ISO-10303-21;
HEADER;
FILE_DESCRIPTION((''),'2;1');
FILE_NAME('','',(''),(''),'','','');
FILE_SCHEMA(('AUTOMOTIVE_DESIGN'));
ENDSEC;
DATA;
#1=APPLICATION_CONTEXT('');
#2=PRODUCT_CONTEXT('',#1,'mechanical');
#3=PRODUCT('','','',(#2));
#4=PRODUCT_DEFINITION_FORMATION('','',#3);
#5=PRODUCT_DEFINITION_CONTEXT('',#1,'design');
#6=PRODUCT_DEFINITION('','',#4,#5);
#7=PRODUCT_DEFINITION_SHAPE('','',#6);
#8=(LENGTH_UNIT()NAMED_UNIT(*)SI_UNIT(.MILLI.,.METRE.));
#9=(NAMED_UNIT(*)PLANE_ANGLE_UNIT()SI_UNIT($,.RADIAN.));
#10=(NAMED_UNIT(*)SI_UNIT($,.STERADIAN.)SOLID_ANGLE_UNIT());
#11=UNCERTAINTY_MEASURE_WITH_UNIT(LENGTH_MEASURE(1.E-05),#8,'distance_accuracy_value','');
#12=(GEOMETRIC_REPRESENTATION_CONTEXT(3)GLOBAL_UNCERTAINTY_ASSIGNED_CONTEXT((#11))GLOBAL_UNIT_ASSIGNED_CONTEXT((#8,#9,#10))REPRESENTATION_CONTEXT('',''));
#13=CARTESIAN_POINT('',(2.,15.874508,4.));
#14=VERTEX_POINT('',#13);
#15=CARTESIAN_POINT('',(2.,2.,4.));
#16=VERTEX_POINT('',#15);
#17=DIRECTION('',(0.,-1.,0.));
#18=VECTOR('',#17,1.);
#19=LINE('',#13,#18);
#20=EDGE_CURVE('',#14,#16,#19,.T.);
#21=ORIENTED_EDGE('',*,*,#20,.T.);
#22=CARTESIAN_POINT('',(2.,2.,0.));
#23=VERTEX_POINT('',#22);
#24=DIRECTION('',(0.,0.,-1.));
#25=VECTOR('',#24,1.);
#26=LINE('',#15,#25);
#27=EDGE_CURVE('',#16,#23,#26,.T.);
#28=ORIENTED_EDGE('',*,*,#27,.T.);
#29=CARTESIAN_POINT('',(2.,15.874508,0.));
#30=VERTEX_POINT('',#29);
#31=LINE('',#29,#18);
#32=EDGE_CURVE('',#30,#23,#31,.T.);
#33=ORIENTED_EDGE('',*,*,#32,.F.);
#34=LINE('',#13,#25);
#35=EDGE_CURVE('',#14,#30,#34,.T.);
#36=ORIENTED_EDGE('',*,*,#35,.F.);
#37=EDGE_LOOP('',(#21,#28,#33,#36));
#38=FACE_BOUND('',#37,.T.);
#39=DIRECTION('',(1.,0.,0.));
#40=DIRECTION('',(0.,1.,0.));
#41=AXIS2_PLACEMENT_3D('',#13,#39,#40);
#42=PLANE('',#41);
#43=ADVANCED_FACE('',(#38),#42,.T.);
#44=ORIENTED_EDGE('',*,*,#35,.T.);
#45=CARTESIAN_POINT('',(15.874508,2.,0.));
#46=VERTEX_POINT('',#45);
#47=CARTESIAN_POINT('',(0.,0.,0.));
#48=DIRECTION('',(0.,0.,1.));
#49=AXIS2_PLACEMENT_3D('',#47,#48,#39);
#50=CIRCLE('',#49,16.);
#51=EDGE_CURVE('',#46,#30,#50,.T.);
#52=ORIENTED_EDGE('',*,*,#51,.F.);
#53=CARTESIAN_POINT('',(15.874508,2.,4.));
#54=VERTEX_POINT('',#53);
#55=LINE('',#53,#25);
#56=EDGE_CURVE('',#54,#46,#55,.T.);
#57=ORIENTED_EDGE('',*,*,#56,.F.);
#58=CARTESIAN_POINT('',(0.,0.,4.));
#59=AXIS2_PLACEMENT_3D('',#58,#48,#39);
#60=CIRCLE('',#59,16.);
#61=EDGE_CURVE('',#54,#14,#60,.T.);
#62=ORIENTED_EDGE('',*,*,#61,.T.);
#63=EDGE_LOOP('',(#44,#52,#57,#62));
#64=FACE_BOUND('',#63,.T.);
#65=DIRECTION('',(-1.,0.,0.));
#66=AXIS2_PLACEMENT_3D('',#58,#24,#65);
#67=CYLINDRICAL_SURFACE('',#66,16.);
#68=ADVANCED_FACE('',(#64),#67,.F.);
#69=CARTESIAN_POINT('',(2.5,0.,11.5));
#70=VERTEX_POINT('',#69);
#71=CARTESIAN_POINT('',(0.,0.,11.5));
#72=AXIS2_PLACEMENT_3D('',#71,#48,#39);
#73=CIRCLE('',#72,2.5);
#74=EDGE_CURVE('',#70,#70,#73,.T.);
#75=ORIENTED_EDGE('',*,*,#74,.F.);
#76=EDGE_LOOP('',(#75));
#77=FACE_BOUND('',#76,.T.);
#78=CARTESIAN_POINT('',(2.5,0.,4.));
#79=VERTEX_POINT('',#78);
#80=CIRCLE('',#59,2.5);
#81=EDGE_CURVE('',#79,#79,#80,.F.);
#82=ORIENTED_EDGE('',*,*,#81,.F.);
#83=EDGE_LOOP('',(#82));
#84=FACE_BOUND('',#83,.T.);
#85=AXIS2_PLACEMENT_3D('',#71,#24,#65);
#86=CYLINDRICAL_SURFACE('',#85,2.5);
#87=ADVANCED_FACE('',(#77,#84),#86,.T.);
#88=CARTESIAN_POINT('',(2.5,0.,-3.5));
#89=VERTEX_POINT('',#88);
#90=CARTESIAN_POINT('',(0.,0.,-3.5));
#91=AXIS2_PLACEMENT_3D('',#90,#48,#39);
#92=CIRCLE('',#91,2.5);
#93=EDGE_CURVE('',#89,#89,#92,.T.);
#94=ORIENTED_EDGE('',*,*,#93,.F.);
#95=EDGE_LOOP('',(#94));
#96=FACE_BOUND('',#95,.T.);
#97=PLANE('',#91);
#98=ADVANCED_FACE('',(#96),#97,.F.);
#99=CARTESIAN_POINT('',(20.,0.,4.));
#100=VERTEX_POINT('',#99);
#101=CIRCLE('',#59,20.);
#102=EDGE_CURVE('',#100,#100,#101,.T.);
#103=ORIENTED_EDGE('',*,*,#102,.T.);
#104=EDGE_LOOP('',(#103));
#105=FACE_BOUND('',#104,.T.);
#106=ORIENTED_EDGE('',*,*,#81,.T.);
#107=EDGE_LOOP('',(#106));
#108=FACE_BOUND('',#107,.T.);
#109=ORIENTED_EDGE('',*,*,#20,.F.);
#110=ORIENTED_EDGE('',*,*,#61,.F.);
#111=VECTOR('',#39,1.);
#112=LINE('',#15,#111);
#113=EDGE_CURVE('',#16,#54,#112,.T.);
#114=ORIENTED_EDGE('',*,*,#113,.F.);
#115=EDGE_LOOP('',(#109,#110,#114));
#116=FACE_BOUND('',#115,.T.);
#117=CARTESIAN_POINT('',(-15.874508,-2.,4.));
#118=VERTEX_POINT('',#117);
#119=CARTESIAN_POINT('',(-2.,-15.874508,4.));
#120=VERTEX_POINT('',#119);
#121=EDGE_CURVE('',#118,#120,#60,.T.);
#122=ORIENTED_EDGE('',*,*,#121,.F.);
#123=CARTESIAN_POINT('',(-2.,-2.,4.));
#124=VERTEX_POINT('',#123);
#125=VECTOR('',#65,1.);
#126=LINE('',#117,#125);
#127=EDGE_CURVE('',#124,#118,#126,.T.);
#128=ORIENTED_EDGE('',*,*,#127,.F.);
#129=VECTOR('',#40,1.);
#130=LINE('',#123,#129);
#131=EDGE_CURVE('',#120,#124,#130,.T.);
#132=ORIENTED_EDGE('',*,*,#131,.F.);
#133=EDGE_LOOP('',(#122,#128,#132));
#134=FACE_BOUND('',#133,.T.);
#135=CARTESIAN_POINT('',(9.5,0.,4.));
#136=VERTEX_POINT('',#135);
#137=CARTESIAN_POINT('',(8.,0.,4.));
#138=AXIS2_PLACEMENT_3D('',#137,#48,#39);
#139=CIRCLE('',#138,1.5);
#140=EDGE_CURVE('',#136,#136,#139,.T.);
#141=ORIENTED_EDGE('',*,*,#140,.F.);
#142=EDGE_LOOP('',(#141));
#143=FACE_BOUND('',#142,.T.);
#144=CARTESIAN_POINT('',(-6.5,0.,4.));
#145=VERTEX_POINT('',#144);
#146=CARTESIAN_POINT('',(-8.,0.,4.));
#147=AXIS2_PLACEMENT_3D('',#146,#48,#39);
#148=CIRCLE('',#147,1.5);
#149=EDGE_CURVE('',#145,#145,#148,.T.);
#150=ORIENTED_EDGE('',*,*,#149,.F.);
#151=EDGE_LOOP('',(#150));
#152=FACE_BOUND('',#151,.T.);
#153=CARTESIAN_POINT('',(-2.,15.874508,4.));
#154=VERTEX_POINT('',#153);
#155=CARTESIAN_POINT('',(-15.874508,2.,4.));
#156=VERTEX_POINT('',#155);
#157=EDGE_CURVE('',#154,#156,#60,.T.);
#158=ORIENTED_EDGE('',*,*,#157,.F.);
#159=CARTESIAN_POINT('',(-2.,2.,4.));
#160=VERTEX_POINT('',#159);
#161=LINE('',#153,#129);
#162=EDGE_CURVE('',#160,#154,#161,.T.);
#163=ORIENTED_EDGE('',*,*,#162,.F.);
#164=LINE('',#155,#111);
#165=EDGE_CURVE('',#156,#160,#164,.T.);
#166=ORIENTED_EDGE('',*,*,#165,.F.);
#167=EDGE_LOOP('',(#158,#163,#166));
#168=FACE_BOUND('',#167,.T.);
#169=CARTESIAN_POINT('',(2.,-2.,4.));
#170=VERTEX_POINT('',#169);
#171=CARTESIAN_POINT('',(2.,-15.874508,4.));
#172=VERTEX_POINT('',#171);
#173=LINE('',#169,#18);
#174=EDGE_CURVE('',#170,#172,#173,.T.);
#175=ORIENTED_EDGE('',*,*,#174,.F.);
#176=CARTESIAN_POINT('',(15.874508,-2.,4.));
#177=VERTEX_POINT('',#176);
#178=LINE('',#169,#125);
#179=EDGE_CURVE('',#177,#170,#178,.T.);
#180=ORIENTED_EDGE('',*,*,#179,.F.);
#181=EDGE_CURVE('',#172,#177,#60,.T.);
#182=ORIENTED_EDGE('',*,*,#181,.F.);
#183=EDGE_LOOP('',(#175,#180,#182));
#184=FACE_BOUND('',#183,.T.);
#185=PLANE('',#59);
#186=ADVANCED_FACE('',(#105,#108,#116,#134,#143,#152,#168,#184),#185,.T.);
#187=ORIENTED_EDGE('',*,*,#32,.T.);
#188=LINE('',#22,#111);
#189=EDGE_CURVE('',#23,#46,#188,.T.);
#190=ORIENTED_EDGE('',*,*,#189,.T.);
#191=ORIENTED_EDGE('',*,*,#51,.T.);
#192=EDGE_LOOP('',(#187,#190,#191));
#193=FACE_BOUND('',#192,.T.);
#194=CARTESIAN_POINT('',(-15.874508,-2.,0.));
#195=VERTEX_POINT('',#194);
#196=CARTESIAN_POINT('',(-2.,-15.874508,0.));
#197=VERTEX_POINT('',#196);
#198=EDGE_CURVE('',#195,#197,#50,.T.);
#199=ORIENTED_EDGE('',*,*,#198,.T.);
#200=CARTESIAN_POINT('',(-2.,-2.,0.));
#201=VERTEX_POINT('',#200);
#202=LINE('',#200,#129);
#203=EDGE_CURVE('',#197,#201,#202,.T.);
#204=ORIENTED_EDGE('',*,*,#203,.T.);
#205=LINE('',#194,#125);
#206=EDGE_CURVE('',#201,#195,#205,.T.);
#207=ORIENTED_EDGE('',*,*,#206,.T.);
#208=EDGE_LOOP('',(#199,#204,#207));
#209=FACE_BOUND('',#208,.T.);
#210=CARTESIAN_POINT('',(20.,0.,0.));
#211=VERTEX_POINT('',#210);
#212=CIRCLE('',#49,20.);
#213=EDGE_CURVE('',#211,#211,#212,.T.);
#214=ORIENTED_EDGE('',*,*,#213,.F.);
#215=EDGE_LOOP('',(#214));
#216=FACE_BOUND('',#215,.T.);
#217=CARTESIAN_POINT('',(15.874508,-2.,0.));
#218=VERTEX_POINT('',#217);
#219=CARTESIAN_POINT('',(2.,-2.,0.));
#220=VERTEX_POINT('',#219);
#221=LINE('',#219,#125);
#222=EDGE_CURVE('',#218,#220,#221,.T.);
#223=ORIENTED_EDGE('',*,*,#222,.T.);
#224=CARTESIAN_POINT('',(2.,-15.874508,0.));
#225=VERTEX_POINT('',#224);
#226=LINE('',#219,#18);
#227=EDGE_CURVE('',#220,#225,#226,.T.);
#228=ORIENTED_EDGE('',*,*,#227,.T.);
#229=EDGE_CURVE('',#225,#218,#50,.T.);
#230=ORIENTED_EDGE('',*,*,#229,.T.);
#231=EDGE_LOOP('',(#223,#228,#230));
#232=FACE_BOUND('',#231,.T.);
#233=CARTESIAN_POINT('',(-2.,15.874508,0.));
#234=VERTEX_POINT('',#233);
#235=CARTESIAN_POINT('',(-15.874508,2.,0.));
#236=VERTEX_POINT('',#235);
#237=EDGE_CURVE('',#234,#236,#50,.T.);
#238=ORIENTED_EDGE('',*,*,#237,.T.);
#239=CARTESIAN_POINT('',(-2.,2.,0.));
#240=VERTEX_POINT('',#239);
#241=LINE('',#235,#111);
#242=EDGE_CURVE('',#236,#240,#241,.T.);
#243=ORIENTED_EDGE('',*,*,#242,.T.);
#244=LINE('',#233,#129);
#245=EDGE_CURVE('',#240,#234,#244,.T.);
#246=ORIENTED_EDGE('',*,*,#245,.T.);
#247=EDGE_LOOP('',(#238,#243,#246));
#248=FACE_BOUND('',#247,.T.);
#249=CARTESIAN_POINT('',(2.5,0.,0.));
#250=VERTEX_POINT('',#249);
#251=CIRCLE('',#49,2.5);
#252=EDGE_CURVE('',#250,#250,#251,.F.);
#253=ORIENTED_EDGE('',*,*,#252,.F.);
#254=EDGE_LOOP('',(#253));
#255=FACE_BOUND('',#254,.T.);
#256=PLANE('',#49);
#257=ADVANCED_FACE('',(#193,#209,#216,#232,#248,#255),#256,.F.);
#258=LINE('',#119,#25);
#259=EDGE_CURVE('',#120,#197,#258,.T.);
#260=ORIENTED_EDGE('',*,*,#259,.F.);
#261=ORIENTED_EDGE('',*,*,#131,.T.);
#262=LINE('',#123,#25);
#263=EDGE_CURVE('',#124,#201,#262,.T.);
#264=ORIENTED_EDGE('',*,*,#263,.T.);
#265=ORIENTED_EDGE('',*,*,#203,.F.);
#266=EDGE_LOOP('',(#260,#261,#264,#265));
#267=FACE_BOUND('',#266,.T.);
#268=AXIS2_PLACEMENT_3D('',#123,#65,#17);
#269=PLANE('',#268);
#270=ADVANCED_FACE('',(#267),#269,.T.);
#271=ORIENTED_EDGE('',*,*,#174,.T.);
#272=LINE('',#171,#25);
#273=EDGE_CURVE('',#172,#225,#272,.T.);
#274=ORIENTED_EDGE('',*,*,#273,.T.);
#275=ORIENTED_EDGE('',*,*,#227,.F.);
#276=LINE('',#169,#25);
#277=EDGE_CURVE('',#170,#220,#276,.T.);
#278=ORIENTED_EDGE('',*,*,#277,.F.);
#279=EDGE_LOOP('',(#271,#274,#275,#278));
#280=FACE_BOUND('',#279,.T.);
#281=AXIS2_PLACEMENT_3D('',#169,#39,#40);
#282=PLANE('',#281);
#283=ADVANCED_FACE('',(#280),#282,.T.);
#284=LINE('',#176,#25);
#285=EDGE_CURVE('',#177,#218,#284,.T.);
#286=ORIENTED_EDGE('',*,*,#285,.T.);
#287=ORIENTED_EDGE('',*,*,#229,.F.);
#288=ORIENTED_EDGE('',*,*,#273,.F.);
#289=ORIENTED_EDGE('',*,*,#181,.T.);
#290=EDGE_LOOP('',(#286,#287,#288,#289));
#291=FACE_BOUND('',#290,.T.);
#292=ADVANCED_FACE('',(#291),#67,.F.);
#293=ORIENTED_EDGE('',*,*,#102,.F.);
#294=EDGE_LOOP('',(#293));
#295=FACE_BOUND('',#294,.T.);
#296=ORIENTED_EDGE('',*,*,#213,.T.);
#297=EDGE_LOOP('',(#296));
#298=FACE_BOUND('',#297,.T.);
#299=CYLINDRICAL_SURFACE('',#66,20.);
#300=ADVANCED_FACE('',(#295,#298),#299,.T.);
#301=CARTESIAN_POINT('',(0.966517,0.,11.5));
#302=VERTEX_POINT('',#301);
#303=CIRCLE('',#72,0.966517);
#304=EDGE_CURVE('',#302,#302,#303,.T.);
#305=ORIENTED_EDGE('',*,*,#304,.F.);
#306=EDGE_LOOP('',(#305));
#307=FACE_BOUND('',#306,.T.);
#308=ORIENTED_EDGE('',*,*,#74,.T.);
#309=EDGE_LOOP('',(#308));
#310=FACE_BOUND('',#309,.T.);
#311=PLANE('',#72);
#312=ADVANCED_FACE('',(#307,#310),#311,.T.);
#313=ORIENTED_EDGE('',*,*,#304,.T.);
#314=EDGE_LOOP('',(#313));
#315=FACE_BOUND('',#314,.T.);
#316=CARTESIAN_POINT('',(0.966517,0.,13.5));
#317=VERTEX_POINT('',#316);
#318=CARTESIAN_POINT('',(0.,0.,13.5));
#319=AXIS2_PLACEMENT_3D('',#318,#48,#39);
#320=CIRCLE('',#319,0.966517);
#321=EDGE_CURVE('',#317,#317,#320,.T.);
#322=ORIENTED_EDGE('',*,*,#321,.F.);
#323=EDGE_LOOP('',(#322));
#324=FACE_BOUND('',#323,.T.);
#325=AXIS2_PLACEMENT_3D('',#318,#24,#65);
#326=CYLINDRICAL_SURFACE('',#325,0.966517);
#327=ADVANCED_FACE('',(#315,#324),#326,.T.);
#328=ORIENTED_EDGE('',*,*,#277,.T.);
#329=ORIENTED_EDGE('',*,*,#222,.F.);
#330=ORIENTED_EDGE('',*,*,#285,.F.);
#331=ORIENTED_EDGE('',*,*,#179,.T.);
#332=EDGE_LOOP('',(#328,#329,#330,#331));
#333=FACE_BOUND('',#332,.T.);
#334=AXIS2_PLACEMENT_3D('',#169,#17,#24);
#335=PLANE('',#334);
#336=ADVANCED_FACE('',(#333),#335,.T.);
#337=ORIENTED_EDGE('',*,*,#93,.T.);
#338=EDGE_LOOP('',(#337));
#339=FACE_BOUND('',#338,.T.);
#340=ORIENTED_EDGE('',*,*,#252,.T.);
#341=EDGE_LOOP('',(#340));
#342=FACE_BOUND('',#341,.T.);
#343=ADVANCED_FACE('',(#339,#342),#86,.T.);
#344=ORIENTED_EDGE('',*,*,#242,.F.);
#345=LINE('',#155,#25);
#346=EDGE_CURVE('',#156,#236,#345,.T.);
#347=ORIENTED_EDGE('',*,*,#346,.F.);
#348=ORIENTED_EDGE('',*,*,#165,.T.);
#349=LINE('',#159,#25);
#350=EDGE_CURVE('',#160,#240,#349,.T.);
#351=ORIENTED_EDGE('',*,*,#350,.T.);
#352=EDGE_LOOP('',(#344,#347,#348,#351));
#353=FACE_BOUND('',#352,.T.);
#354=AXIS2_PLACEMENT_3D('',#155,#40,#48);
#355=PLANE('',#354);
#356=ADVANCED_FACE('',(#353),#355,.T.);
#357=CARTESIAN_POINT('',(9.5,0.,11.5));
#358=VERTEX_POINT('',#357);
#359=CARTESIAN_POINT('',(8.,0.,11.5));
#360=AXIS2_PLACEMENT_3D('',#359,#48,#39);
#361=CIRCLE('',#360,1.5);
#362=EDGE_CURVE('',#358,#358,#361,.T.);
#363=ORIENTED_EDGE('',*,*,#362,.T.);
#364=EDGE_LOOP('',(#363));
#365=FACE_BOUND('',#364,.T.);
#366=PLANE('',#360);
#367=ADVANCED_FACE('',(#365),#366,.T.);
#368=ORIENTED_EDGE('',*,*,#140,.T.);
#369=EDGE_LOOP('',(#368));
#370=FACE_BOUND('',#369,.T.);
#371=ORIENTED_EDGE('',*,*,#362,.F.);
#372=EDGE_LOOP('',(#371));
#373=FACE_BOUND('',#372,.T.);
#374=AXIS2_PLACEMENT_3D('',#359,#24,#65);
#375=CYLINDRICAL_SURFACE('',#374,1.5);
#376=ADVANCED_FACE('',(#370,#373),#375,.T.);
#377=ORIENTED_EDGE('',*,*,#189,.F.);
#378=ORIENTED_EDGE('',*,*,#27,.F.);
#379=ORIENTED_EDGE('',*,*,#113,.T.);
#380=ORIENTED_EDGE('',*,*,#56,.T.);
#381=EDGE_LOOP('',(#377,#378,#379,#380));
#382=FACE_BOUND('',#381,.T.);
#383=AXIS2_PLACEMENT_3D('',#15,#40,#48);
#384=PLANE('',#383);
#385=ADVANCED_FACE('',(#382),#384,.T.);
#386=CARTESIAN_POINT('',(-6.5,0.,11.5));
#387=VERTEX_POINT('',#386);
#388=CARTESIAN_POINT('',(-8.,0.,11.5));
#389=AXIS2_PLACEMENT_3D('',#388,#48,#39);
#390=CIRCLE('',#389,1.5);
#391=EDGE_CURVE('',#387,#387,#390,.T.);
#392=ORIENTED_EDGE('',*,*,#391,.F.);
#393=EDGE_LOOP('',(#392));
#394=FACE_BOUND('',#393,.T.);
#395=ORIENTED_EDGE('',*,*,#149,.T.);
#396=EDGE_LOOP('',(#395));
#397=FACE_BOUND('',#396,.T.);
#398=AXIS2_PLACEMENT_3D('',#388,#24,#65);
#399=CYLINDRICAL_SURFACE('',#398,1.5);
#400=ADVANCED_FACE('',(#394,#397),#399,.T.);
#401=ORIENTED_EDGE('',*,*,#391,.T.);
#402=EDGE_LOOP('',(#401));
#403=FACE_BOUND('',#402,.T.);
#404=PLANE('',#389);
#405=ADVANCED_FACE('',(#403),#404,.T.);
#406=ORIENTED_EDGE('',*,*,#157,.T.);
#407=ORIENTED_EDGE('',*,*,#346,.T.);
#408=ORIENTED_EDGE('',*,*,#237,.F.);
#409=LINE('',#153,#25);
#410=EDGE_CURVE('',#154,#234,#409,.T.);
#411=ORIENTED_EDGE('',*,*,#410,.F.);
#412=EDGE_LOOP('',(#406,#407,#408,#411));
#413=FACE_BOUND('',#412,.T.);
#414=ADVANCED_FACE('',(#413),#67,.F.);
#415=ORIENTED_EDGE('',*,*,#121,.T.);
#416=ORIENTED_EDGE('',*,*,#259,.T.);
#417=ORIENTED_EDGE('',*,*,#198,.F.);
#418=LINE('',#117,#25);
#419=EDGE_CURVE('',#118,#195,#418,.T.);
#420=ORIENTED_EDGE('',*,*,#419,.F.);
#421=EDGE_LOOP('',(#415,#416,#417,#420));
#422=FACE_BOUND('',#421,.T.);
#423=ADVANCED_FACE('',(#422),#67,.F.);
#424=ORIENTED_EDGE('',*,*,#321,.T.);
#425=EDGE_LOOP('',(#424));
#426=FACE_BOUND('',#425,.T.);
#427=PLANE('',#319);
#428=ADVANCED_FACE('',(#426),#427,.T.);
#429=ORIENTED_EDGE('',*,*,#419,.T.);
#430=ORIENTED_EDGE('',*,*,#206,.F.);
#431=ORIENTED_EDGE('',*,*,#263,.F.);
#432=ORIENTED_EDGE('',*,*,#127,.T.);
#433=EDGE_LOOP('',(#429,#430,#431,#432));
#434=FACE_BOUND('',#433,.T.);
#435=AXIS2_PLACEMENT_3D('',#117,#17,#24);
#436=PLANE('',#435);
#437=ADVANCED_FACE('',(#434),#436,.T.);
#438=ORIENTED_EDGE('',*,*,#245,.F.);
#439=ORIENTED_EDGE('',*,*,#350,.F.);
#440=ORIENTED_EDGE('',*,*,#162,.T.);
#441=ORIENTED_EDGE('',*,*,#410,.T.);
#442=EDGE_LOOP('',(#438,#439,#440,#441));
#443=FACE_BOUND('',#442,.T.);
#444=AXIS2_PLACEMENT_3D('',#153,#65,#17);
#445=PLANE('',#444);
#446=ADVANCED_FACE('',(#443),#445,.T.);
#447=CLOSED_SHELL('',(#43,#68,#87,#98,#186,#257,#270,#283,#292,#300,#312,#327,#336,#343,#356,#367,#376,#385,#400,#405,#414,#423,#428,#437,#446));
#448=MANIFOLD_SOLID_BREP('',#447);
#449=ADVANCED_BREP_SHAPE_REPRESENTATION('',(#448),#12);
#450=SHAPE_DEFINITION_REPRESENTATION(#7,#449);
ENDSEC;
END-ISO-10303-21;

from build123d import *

# Parameters (mm, degrees)
ESQUISSE1_R        = 20
BOSS_EXTRU_1_DEPTH = 4
ESQUISSE2_R        = 2.5
BOSS_EXTRU_2_DEPTH = 7.5
ESQUISSE3_R        = 0.966516747
BOSS_EXTRU_3_DEPTH = 2
ESQUISSE4_R        = 1.5
BOSS_EXTRU_4_DEPTH = 7.5


with BuildPart() as part:
    # Esquisse1 → Boss.-Extru.1 (new body)
    with BuildSketch(Plane.XY):
        Circle(ESQUISSE1_R)
        with BuildLine():
            Line((-15.874507866, 2), (-2, 2))
            Line((-2, 2), (-2, 15.874507866))
            ThreePointArc((-2, 15.874507866), (-11.313708499, 11.313708499), (-15.874507866, 2))
        make_face(mode=Mode.SUBTRACT)
        with BuildLine():
            Line((-15.874507866, -2), (-2, -2))
            Line((-2, -2), (-2, -15.874507866))
            ThreePointArc((-2, -15.874507866), (-11.313708499, -11.313708499), (-15.874507866, -2))
        make_face(mode=Mode.SUBTRACT)
        with BuildLine():
            Line((2, 15.874507866), (2, 2))
            Line((2, 2), (15.874507866, 2))
            ThreePointArc((15.874507866, 2), (11.313708499, 11.313708499), (2, 15.874507866))
        make_face(mode=Mode.SUBTRACT)
        with BuildLine():
            Line((2, -2), (2, -15.874507866))
            ThreePointArc((2, -15.874507866), (11.313708499, -11.313708499), (15.874507866, -2))
            Line((15.874507866, -2), (2, -2))
        make_face(mode=Mode.SUBTRACT)
    extrude(amount=BOSS_EXTRU_1_DEPTH)

    # Esquisse2 → Boss.-Extru.2 (add, symmetric)
    with BuildSketch(Plane.XY.offset(4)):
        Circle(ESQUISSE2_R)
    extrude(amount=BOSS_EXTRU_2_DEPTH, both=True)

    # Esquisse3 → Boss.-Extru.3 (add)
    with BuildSketch(Plane.XY.offset(11.5)):
        Circle(ESQUISSE3_R)
    extrude(amount=BOSS_EXTRU_3_DEPTH)

    # Esquisse4 → Boss.-Extru.4 (add)
    with BuildSketch(Plane.XY.offset(4)):
        with Locations((8, 0)):
            Circle(ESQUISSE4_R)
        with Locations((-8, 0)):
            Circle(ESQUISSE4_R)
    extrude(amount=BOSS_EXTRU_4_DEPTH)


solid = part.part
